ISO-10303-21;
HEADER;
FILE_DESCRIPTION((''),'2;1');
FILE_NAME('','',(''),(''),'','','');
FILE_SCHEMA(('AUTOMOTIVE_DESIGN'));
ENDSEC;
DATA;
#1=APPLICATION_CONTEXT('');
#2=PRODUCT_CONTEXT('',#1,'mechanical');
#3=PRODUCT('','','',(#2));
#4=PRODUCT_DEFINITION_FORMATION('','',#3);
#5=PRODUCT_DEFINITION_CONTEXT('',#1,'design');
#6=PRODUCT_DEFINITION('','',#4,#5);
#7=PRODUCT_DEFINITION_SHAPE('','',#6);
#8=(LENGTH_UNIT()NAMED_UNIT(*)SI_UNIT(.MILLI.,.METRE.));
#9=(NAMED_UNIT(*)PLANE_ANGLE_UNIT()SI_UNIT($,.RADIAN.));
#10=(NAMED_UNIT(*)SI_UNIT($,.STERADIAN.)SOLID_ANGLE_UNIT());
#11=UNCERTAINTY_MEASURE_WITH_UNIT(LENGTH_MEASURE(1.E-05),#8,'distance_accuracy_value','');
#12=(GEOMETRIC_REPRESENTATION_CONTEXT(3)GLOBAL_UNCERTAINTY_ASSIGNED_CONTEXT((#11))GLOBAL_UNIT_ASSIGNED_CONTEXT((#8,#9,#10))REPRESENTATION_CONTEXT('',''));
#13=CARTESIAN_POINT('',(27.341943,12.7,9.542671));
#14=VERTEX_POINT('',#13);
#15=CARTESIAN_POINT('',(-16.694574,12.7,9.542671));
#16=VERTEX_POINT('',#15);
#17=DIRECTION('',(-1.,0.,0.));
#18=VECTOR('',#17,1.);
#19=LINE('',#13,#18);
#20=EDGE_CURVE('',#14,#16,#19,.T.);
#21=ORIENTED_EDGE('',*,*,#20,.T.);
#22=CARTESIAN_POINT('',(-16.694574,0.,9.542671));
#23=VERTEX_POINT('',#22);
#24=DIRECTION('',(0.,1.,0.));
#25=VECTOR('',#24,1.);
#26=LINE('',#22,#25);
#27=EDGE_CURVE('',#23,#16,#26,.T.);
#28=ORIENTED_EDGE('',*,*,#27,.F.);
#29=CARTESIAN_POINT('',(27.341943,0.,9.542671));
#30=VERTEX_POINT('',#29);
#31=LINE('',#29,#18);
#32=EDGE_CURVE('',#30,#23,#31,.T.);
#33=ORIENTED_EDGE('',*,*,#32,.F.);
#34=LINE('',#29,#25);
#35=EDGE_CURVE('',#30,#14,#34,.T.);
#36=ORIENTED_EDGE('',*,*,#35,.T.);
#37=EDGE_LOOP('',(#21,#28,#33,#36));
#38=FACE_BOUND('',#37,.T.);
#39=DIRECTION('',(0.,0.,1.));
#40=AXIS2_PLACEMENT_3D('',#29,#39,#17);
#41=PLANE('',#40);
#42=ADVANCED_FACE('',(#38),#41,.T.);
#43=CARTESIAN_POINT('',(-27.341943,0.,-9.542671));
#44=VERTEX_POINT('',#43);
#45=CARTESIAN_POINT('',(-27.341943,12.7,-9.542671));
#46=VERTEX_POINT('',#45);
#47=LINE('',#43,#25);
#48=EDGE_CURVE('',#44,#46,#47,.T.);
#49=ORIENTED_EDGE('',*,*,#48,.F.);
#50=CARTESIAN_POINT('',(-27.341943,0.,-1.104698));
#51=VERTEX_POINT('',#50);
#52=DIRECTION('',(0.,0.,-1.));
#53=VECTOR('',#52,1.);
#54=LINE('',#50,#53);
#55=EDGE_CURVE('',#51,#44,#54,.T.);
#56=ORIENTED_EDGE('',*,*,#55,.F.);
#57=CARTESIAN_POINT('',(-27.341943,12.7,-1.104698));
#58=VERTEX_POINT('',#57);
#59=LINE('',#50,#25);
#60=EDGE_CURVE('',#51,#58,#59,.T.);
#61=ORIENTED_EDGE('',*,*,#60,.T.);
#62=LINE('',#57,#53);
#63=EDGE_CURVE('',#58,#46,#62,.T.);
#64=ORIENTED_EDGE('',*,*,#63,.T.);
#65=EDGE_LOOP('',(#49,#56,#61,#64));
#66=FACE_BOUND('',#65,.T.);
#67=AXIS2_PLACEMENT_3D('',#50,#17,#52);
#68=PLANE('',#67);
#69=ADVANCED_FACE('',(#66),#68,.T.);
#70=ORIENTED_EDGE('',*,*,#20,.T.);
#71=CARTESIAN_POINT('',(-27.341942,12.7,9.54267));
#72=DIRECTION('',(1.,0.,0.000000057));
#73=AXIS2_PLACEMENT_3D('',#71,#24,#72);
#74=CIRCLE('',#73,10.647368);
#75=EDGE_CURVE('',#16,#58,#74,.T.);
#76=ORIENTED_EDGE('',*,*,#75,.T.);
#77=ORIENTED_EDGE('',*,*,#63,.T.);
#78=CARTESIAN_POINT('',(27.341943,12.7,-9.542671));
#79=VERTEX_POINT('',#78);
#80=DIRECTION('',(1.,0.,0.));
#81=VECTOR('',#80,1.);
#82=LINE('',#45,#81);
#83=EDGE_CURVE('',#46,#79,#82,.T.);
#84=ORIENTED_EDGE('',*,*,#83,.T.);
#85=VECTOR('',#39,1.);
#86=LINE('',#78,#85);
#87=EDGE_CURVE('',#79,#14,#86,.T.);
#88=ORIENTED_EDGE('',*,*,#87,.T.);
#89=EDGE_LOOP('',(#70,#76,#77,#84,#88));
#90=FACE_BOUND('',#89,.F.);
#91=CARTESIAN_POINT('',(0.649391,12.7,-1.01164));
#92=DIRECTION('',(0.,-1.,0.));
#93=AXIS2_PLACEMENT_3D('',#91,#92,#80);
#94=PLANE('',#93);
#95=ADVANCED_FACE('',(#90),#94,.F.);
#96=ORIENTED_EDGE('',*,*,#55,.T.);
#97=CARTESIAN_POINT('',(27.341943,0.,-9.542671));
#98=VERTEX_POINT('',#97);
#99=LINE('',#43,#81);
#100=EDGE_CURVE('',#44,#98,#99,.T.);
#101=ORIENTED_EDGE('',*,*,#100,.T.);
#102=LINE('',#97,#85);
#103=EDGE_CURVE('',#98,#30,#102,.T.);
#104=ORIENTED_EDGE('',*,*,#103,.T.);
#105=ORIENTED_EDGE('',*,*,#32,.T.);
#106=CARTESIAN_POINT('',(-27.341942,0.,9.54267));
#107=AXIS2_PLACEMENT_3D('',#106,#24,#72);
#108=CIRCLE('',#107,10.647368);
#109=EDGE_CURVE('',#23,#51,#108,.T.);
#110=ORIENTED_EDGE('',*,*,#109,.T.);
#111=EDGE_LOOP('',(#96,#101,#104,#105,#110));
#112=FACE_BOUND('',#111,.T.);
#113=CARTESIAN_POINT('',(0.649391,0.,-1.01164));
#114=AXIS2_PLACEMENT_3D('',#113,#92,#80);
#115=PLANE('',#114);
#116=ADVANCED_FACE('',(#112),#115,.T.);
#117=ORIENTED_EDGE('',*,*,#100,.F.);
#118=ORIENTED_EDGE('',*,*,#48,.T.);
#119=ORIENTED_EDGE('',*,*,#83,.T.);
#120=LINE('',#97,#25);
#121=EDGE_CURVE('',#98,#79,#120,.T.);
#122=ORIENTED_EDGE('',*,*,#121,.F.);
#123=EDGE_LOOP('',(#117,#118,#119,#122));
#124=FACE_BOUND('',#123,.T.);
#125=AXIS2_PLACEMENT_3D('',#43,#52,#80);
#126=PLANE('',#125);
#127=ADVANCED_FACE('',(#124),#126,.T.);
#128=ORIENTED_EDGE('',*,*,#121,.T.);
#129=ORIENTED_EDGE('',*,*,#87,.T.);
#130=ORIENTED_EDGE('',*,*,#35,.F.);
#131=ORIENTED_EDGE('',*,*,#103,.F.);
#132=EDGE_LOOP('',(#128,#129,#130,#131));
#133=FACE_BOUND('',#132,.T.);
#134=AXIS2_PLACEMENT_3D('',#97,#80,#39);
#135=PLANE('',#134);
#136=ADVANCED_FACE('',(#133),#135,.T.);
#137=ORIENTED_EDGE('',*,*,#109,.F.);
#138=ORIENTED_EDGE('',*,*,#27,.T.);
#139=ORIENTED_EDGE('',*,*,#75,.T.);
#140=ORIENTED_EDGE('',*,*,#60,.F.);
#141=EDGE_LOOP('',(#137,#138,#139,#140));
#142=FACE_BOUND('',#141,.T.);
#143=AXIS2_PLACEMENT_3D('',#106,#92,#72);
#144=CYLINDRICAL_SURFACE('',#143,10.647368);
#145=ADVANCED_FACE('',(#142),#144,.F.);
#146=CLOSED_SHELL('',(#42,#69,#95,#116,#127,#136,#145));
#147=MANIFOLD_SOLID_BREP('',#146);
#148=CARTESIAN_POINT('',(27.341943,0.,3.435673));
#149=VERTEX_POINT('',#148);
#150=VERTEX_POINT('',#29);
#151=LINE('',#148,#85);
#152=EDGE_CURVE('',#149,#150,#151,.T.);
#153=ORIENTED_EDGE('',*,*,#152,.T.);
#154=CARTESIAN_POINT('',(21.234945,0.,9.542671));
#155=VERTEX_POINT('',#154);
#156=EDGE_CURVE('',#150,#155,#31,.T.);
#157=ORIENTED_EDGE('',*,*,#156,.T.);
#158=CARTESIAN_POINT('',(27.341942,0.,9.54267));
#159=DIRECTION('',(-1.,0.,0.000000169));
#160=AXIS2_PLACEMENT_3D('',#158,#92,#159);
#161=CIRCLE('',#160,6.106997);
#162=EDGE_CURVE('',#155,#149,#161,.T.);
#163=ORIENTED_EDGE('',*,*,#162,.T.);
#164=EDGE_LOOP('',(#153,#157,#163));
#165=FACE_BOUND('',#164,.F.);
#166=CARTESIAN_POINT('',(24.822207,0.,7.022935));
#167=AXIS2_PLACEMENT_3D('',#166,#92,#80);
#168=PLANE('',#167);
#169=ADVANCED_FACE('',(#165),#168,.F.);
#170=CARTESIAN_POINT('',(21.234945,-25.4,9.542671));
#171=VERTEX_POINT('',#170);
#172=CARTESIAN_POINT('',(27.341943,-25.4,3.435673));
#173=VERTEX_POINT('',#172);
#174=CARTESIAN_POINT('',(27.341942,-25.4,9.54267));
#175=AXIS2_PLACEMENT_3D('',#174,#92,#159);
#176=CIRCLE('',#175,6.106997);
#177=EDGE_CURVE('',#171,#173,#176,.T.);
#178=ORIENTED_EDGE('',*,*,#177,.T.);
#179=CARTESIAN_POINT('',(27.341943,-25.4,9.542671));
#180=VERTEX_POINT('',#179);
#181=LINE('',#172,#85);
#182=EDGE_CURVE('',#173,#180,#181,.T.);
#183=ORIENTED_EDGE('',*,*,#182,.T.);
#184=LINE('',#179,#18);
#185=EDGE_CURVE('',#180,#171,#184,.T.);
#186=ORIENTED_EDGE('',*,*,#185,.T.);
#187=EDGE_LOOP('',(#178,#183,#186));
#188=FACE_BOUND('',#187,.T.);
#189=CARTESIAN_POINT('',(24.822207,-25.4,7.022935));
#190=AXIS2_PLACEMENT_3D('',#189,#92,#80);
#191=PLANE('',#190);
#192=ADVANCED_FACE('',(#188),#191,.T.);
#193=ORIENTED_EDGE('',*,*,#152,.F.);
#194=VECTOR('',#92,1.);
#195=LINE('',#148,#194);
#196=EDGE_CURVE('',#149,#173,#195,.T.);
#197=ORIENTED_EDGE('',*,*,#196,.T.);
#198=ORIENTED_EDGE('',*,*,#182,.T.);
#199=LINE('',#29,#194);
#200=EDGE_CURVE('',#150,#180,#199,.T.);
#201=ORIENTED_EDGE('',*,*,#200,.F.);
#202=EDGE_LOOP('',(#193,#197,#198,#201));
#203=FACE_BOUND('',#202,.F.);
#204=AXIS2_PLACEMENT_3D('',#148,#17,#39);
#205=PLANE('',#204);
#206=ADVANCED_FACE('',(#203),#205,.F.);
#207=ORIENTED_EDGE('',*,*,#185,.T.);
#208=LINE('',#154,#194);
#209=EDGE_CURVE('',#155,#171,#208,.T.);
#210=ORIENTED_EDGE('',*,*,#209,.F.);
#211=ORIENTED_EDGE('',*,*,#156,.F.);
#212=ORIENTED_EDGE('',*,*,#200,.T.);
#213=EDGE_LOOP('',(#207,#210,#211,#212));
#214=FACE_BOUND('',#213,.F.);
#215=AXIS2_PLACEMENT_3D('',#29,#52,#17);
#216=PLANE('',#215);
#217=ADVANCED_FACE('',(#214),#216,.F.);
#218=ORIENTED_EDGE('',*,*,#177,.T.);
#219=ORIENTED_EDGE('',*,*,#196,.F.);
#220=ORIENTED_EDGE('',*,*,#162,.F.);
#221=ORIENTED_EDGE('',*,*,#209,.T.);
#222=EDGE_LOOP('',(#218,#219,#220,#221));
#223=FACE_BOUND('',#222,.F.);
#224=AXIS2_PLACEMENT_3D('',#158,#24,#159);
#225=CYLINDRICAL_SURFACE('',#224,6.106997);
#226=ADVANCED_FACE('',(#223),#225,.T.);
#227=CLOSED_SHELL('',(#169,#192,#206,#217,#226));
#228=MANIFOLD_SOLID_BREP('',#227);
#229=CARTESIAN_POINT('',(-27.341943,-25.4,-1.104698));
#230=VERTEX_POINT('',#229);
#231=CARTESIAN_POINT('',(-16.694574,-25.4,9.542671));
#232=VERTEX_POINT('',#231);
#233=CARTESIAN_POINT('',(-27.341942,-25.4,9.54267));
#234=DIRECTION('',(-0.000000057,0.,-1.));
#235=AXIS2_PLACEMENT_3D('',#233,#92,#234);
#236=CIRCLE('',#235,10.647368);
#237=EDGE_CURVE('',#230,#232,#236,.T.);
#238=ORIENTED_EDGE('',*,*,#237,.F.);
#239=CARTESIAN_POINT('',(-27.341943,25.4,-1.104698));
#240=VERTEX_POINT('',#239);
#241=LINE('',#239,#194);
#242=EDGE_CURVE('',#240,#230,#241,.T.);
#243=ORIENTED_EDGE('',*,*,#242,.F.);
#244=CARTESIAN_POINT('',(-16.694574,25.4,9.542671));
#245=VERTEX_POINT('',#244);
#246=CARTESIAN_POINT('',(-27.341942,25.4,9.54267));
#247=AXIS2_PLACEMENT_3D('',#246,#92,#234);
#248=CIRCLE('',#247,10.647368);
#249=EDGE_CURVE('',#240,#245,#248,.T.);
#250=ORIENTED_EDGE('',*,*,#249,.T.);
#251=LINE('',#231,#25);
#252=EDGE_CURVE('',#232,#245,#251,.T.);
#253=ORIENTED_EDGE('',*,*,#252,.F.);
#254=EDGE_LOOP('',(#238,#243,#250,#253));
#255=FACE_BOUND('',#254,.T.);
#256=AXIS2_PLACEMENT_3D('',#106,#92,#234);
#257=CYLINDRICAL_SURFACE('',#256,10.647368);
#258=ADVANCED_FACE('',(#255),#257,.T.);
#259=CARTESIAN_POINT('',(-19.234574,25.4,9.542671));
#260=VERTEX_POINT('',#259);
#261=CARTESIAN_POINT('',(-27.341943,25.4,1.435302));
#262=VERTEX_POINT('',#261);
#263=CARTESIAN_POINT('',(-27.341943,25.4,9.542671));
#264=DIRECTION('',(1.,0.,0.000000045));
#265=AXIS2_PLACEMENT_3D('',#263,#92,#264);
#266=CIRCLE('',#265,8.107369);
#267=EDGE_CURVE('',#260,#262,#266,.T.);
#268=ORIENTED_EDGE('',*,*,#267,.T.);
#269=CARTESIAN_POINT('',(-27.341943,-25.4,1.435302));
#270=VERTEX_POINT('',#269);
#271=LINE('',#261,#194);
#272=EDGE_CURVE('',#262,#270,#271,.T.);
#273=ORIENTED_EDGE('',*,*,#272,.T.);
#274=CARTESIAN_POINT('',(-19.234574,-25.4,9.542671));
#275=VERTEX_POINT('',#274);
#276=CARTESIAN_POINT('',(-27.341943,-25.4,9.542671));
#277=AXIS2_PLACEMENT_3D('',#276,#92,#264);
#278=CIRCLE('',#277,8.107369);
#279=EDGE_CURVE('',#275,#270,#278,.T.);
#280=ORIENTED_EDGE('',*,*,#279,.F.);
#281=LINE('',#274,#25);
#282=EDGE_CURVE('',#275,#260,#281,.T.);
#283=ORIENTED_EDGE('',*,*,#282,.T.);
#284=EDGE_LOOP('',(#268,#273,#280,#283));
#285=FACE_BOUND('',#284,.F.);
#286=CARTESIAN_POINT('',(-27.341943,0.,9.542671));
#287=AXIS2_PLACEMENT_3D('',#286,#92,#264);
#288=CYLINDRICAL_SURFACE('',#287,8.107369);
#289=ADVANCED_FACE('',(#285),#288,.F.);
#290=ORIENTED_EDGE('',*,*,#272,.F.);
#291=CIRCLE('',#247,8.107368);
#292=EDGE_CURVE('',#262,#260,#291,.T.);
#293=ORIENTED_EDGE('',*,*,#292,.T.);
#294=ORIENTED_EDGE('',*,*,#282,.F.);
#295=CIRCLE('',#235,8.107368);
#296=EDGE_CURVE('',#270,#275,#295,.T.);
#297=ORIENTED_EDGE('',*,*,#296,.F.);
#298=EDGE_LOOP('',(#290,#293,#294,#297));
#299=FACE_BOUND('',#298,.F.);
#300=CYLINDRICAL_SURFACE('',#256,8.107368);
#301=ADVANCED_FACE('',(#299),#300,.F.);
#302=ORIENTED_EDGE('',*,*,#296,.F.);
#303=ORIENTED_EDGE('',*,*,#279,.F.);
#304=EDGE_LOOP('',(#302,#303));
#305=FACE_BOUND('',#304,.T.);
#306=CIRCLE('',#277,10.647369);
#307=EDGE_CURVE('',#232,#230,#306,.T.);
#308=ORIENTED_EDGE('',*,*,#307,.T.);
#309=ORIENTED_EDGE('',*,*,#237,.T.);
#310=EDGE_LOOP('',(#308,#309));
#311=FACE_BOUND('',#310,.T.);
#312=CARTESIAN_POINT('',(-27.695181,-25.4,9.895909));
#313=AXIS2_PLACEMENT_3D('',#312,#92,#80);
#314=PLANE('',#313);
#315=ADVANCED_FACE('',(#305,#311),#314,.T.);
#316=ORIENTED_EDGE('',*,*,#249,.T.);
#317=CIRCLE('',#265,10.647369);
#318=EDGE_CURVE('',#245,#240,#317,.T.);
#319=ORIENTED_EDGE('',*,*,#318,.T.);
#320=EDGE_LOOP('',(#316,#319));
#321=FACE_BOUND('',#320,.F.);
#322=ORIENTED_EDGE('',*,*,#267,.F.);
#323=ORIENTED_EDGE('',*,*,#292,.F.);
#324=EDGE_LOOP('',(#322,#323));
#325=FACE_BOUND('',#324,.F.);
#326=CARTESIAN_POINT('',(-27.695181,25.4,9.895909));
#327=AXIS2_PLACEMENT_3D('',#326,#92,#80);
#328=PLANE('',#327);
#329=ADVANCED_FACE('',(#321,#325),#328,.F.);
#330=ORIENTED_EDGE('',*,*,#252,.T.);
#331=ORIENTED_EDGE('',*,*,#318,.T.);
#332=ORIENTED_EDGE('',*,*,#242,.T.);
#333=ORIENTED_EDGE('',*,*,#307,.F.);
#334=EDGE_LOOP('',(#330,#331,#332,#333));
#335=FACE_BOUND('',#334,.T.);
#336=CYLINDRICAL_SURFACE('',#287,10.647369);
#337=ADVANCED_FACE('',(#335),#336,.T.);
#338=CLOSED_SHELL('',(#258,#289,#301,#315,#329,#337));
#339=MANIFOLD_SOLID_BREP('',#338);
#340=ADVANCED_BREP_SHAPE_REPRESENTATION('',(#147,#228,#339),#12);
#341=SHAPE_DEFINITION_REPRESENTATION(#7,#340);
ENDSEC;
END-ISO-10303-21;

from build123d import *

# Parameters (mm, degrees)
F3_DEPTH = 25.4
F4_DEPTH = 25.4
F5_DEPTH = 12.7
F6_T     = -2.54


with BuildPart() as f3:
    # F0 (on Front) → F3 (new body, symmetric)
    with BuildSketch(Plane.XZ):
        with BuildLine():
            Line((-27.341943, 9.542671), (-16.694574, 9.542671))
            ThreePointArc((-16.694574, 9.542671), (-34.870769, 17.071497), (-27.341943, -1.104698))
            Line((-27.341943, -1.104698), (-27.341943, 9.542671))
        make_face()
        with BuildLine():
            ThreePointArc((-27.341943, -1.104698), (-19.813116, 2.013844), (-16.694574, 9.542671))
            Line((-16.694574, 9.542671), (-27.341943, 9.542671))
            Line((-27.341943, 9.542671), (-27.341943, -1.104698))
        make_face()
    extrude(amount=F3_DEPTH, both=True)

    # F6
    f6_openings = [f3.faces().sort_by_distance(p)[0] for p in [
        (-27.341943, -25.4, 9.542671),
        (-27.341943, 25.4, 9.542671),
    ]]
    offset(amount=F6_T, openings=f6_openings)


with BuildPart() as f4:
    # F0 (on Front) → F4 (new body)
    with BuildSketch(Plane.XZ):
        with BuildLine():
            Line((27.341943, 9.542671), (21.234945, 9.542671))
            ThreePointArc((21.234945, 9.542671), (23.023643, 5.224371), (27.341943, 3.435673))
            Line((27.341943, 3.435673), (27.341943, 9.542671))
        make_face()
    extrude(amount=F4_DEPTH)


with BuildPart() as f5:
    # F0 (on Front) → F5 (new body)
    with BuildSketch(Plane.XZ):
        with BuildLine():
            Line((21.234945, 9.542671), (-16.694574, 9.542671))
            ThreePointArc((-16.694574, 9.542671), (-19.813116, 2.013844), (-27.341943, -1.104698))
            Line((-27.341943, -1.104698), (-27.341943, -9.542671))
            Line((-27.341943, -9.542671), (27.341943, -9.542671))
            Line((27.341943, -9.542671), (27.341943, 3.435673))
            ThreePointArc((27.341943, 3.435673), (23.023643, 5.224371), (21.234945, 9.542671))
        make_face()
        with BuildLine():
            Line((27.341943, 9.542671), (21.234945, 9.542671))
            ThreePointArc((21.234945, 9.542671), (23.023643, 5.224371), (27.341943, 3.435673))
            Line((27.341943, 3.435673), (27.341943, 9.542671))
        make_face()
    extrude(amount=-F5_DEPTH)


solid = Compound([f3.part, f4.part, f5.part])
